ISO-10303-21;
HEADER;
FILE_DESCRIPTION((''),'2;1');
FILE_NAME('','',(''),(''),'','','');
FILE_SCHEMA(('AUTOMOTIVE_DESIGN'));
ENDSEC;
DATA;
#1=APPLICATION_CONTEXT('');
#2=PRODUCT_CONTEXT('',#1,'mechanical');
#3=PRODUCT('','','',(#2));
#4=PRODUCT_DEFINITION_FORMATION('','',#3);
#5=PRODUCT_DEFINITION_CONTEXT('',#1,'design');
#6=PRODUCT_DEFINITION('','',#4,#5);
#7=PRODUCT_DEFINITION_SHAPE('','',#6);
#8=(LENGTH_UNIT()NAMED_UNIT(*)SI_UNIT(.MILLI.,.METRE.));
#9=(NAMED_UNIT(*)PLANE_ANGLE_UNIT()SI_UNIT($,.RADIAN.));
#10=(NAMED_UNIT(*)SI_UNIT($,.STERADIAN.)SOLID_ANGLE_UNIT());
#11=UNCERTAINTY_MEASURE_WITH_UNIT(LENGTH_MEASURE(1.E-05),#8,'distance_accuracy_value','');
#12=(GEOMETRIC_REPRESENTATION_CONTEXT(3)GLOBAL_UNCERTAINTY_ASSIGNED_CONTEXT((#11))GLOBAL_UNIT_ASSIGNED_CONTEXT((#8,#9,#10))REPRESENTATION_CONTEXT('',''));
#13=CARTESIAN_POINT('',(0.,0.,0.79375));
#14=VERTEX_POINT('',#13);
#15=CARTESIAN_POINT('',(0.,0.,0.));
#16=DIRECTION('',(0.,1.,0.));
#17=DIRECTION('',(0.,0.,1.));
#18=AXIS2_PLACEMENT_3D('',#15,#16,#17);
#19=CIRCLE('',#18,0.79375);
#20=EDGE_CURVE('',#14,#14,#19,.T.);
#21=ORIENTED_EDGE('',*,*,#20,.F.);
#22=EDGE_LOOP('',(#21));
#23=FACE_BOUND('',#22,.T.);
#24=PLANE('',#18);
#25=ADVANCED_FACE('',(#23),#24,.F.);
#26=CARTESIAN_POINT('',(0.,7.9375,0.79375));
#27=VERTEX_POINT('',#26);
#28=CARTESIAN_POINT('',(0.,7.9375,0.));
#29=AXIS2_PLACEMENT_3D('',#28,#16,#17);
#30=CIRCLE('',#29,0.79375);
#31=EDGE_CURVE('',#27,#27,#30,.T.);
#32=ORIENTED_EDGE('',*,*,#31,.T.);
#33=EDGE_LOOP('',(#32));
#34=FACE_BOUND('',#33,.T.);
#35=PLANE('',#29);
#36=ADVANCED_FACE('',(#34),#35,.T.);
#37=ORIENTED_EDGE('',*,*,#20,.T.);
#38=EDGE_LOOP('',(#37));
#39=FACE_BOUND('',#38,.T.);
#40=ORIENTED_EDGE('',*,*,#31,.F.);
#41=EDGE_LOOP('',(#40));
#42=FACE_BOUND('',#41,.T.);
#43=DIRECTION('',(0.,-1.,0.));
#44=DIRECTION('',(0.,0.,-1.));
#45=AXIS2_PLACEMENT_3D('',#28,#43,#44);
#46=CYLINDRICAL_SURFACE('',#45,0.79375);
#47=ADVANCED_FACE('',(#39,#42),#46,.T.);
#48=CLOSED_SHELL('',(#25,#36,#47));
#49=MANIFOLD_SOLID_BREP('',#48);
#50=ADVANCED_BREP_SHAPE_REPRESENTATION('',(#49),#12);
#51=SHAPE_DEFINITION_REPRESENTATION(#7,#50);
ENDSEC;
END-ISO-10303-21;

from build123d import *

# Parameters (mm, degrees)
SKETCH1_R           = 0.79375
BOSS_EXTRUDE1_DEPTH = 7.9375


with BuildPart() as part:
    # Sketch1 → Boss-Extrude1 (new body)
    with BuildSketch(Plane(origin=(0, 0, 0), x_dir=(1, 0, 0), z_dir=(0, 1, 0))):
        Circle(SKETCH1_R)
    extrude(amount=BOSS_EXTRUDE1_DEPTH)


solid = part.part
